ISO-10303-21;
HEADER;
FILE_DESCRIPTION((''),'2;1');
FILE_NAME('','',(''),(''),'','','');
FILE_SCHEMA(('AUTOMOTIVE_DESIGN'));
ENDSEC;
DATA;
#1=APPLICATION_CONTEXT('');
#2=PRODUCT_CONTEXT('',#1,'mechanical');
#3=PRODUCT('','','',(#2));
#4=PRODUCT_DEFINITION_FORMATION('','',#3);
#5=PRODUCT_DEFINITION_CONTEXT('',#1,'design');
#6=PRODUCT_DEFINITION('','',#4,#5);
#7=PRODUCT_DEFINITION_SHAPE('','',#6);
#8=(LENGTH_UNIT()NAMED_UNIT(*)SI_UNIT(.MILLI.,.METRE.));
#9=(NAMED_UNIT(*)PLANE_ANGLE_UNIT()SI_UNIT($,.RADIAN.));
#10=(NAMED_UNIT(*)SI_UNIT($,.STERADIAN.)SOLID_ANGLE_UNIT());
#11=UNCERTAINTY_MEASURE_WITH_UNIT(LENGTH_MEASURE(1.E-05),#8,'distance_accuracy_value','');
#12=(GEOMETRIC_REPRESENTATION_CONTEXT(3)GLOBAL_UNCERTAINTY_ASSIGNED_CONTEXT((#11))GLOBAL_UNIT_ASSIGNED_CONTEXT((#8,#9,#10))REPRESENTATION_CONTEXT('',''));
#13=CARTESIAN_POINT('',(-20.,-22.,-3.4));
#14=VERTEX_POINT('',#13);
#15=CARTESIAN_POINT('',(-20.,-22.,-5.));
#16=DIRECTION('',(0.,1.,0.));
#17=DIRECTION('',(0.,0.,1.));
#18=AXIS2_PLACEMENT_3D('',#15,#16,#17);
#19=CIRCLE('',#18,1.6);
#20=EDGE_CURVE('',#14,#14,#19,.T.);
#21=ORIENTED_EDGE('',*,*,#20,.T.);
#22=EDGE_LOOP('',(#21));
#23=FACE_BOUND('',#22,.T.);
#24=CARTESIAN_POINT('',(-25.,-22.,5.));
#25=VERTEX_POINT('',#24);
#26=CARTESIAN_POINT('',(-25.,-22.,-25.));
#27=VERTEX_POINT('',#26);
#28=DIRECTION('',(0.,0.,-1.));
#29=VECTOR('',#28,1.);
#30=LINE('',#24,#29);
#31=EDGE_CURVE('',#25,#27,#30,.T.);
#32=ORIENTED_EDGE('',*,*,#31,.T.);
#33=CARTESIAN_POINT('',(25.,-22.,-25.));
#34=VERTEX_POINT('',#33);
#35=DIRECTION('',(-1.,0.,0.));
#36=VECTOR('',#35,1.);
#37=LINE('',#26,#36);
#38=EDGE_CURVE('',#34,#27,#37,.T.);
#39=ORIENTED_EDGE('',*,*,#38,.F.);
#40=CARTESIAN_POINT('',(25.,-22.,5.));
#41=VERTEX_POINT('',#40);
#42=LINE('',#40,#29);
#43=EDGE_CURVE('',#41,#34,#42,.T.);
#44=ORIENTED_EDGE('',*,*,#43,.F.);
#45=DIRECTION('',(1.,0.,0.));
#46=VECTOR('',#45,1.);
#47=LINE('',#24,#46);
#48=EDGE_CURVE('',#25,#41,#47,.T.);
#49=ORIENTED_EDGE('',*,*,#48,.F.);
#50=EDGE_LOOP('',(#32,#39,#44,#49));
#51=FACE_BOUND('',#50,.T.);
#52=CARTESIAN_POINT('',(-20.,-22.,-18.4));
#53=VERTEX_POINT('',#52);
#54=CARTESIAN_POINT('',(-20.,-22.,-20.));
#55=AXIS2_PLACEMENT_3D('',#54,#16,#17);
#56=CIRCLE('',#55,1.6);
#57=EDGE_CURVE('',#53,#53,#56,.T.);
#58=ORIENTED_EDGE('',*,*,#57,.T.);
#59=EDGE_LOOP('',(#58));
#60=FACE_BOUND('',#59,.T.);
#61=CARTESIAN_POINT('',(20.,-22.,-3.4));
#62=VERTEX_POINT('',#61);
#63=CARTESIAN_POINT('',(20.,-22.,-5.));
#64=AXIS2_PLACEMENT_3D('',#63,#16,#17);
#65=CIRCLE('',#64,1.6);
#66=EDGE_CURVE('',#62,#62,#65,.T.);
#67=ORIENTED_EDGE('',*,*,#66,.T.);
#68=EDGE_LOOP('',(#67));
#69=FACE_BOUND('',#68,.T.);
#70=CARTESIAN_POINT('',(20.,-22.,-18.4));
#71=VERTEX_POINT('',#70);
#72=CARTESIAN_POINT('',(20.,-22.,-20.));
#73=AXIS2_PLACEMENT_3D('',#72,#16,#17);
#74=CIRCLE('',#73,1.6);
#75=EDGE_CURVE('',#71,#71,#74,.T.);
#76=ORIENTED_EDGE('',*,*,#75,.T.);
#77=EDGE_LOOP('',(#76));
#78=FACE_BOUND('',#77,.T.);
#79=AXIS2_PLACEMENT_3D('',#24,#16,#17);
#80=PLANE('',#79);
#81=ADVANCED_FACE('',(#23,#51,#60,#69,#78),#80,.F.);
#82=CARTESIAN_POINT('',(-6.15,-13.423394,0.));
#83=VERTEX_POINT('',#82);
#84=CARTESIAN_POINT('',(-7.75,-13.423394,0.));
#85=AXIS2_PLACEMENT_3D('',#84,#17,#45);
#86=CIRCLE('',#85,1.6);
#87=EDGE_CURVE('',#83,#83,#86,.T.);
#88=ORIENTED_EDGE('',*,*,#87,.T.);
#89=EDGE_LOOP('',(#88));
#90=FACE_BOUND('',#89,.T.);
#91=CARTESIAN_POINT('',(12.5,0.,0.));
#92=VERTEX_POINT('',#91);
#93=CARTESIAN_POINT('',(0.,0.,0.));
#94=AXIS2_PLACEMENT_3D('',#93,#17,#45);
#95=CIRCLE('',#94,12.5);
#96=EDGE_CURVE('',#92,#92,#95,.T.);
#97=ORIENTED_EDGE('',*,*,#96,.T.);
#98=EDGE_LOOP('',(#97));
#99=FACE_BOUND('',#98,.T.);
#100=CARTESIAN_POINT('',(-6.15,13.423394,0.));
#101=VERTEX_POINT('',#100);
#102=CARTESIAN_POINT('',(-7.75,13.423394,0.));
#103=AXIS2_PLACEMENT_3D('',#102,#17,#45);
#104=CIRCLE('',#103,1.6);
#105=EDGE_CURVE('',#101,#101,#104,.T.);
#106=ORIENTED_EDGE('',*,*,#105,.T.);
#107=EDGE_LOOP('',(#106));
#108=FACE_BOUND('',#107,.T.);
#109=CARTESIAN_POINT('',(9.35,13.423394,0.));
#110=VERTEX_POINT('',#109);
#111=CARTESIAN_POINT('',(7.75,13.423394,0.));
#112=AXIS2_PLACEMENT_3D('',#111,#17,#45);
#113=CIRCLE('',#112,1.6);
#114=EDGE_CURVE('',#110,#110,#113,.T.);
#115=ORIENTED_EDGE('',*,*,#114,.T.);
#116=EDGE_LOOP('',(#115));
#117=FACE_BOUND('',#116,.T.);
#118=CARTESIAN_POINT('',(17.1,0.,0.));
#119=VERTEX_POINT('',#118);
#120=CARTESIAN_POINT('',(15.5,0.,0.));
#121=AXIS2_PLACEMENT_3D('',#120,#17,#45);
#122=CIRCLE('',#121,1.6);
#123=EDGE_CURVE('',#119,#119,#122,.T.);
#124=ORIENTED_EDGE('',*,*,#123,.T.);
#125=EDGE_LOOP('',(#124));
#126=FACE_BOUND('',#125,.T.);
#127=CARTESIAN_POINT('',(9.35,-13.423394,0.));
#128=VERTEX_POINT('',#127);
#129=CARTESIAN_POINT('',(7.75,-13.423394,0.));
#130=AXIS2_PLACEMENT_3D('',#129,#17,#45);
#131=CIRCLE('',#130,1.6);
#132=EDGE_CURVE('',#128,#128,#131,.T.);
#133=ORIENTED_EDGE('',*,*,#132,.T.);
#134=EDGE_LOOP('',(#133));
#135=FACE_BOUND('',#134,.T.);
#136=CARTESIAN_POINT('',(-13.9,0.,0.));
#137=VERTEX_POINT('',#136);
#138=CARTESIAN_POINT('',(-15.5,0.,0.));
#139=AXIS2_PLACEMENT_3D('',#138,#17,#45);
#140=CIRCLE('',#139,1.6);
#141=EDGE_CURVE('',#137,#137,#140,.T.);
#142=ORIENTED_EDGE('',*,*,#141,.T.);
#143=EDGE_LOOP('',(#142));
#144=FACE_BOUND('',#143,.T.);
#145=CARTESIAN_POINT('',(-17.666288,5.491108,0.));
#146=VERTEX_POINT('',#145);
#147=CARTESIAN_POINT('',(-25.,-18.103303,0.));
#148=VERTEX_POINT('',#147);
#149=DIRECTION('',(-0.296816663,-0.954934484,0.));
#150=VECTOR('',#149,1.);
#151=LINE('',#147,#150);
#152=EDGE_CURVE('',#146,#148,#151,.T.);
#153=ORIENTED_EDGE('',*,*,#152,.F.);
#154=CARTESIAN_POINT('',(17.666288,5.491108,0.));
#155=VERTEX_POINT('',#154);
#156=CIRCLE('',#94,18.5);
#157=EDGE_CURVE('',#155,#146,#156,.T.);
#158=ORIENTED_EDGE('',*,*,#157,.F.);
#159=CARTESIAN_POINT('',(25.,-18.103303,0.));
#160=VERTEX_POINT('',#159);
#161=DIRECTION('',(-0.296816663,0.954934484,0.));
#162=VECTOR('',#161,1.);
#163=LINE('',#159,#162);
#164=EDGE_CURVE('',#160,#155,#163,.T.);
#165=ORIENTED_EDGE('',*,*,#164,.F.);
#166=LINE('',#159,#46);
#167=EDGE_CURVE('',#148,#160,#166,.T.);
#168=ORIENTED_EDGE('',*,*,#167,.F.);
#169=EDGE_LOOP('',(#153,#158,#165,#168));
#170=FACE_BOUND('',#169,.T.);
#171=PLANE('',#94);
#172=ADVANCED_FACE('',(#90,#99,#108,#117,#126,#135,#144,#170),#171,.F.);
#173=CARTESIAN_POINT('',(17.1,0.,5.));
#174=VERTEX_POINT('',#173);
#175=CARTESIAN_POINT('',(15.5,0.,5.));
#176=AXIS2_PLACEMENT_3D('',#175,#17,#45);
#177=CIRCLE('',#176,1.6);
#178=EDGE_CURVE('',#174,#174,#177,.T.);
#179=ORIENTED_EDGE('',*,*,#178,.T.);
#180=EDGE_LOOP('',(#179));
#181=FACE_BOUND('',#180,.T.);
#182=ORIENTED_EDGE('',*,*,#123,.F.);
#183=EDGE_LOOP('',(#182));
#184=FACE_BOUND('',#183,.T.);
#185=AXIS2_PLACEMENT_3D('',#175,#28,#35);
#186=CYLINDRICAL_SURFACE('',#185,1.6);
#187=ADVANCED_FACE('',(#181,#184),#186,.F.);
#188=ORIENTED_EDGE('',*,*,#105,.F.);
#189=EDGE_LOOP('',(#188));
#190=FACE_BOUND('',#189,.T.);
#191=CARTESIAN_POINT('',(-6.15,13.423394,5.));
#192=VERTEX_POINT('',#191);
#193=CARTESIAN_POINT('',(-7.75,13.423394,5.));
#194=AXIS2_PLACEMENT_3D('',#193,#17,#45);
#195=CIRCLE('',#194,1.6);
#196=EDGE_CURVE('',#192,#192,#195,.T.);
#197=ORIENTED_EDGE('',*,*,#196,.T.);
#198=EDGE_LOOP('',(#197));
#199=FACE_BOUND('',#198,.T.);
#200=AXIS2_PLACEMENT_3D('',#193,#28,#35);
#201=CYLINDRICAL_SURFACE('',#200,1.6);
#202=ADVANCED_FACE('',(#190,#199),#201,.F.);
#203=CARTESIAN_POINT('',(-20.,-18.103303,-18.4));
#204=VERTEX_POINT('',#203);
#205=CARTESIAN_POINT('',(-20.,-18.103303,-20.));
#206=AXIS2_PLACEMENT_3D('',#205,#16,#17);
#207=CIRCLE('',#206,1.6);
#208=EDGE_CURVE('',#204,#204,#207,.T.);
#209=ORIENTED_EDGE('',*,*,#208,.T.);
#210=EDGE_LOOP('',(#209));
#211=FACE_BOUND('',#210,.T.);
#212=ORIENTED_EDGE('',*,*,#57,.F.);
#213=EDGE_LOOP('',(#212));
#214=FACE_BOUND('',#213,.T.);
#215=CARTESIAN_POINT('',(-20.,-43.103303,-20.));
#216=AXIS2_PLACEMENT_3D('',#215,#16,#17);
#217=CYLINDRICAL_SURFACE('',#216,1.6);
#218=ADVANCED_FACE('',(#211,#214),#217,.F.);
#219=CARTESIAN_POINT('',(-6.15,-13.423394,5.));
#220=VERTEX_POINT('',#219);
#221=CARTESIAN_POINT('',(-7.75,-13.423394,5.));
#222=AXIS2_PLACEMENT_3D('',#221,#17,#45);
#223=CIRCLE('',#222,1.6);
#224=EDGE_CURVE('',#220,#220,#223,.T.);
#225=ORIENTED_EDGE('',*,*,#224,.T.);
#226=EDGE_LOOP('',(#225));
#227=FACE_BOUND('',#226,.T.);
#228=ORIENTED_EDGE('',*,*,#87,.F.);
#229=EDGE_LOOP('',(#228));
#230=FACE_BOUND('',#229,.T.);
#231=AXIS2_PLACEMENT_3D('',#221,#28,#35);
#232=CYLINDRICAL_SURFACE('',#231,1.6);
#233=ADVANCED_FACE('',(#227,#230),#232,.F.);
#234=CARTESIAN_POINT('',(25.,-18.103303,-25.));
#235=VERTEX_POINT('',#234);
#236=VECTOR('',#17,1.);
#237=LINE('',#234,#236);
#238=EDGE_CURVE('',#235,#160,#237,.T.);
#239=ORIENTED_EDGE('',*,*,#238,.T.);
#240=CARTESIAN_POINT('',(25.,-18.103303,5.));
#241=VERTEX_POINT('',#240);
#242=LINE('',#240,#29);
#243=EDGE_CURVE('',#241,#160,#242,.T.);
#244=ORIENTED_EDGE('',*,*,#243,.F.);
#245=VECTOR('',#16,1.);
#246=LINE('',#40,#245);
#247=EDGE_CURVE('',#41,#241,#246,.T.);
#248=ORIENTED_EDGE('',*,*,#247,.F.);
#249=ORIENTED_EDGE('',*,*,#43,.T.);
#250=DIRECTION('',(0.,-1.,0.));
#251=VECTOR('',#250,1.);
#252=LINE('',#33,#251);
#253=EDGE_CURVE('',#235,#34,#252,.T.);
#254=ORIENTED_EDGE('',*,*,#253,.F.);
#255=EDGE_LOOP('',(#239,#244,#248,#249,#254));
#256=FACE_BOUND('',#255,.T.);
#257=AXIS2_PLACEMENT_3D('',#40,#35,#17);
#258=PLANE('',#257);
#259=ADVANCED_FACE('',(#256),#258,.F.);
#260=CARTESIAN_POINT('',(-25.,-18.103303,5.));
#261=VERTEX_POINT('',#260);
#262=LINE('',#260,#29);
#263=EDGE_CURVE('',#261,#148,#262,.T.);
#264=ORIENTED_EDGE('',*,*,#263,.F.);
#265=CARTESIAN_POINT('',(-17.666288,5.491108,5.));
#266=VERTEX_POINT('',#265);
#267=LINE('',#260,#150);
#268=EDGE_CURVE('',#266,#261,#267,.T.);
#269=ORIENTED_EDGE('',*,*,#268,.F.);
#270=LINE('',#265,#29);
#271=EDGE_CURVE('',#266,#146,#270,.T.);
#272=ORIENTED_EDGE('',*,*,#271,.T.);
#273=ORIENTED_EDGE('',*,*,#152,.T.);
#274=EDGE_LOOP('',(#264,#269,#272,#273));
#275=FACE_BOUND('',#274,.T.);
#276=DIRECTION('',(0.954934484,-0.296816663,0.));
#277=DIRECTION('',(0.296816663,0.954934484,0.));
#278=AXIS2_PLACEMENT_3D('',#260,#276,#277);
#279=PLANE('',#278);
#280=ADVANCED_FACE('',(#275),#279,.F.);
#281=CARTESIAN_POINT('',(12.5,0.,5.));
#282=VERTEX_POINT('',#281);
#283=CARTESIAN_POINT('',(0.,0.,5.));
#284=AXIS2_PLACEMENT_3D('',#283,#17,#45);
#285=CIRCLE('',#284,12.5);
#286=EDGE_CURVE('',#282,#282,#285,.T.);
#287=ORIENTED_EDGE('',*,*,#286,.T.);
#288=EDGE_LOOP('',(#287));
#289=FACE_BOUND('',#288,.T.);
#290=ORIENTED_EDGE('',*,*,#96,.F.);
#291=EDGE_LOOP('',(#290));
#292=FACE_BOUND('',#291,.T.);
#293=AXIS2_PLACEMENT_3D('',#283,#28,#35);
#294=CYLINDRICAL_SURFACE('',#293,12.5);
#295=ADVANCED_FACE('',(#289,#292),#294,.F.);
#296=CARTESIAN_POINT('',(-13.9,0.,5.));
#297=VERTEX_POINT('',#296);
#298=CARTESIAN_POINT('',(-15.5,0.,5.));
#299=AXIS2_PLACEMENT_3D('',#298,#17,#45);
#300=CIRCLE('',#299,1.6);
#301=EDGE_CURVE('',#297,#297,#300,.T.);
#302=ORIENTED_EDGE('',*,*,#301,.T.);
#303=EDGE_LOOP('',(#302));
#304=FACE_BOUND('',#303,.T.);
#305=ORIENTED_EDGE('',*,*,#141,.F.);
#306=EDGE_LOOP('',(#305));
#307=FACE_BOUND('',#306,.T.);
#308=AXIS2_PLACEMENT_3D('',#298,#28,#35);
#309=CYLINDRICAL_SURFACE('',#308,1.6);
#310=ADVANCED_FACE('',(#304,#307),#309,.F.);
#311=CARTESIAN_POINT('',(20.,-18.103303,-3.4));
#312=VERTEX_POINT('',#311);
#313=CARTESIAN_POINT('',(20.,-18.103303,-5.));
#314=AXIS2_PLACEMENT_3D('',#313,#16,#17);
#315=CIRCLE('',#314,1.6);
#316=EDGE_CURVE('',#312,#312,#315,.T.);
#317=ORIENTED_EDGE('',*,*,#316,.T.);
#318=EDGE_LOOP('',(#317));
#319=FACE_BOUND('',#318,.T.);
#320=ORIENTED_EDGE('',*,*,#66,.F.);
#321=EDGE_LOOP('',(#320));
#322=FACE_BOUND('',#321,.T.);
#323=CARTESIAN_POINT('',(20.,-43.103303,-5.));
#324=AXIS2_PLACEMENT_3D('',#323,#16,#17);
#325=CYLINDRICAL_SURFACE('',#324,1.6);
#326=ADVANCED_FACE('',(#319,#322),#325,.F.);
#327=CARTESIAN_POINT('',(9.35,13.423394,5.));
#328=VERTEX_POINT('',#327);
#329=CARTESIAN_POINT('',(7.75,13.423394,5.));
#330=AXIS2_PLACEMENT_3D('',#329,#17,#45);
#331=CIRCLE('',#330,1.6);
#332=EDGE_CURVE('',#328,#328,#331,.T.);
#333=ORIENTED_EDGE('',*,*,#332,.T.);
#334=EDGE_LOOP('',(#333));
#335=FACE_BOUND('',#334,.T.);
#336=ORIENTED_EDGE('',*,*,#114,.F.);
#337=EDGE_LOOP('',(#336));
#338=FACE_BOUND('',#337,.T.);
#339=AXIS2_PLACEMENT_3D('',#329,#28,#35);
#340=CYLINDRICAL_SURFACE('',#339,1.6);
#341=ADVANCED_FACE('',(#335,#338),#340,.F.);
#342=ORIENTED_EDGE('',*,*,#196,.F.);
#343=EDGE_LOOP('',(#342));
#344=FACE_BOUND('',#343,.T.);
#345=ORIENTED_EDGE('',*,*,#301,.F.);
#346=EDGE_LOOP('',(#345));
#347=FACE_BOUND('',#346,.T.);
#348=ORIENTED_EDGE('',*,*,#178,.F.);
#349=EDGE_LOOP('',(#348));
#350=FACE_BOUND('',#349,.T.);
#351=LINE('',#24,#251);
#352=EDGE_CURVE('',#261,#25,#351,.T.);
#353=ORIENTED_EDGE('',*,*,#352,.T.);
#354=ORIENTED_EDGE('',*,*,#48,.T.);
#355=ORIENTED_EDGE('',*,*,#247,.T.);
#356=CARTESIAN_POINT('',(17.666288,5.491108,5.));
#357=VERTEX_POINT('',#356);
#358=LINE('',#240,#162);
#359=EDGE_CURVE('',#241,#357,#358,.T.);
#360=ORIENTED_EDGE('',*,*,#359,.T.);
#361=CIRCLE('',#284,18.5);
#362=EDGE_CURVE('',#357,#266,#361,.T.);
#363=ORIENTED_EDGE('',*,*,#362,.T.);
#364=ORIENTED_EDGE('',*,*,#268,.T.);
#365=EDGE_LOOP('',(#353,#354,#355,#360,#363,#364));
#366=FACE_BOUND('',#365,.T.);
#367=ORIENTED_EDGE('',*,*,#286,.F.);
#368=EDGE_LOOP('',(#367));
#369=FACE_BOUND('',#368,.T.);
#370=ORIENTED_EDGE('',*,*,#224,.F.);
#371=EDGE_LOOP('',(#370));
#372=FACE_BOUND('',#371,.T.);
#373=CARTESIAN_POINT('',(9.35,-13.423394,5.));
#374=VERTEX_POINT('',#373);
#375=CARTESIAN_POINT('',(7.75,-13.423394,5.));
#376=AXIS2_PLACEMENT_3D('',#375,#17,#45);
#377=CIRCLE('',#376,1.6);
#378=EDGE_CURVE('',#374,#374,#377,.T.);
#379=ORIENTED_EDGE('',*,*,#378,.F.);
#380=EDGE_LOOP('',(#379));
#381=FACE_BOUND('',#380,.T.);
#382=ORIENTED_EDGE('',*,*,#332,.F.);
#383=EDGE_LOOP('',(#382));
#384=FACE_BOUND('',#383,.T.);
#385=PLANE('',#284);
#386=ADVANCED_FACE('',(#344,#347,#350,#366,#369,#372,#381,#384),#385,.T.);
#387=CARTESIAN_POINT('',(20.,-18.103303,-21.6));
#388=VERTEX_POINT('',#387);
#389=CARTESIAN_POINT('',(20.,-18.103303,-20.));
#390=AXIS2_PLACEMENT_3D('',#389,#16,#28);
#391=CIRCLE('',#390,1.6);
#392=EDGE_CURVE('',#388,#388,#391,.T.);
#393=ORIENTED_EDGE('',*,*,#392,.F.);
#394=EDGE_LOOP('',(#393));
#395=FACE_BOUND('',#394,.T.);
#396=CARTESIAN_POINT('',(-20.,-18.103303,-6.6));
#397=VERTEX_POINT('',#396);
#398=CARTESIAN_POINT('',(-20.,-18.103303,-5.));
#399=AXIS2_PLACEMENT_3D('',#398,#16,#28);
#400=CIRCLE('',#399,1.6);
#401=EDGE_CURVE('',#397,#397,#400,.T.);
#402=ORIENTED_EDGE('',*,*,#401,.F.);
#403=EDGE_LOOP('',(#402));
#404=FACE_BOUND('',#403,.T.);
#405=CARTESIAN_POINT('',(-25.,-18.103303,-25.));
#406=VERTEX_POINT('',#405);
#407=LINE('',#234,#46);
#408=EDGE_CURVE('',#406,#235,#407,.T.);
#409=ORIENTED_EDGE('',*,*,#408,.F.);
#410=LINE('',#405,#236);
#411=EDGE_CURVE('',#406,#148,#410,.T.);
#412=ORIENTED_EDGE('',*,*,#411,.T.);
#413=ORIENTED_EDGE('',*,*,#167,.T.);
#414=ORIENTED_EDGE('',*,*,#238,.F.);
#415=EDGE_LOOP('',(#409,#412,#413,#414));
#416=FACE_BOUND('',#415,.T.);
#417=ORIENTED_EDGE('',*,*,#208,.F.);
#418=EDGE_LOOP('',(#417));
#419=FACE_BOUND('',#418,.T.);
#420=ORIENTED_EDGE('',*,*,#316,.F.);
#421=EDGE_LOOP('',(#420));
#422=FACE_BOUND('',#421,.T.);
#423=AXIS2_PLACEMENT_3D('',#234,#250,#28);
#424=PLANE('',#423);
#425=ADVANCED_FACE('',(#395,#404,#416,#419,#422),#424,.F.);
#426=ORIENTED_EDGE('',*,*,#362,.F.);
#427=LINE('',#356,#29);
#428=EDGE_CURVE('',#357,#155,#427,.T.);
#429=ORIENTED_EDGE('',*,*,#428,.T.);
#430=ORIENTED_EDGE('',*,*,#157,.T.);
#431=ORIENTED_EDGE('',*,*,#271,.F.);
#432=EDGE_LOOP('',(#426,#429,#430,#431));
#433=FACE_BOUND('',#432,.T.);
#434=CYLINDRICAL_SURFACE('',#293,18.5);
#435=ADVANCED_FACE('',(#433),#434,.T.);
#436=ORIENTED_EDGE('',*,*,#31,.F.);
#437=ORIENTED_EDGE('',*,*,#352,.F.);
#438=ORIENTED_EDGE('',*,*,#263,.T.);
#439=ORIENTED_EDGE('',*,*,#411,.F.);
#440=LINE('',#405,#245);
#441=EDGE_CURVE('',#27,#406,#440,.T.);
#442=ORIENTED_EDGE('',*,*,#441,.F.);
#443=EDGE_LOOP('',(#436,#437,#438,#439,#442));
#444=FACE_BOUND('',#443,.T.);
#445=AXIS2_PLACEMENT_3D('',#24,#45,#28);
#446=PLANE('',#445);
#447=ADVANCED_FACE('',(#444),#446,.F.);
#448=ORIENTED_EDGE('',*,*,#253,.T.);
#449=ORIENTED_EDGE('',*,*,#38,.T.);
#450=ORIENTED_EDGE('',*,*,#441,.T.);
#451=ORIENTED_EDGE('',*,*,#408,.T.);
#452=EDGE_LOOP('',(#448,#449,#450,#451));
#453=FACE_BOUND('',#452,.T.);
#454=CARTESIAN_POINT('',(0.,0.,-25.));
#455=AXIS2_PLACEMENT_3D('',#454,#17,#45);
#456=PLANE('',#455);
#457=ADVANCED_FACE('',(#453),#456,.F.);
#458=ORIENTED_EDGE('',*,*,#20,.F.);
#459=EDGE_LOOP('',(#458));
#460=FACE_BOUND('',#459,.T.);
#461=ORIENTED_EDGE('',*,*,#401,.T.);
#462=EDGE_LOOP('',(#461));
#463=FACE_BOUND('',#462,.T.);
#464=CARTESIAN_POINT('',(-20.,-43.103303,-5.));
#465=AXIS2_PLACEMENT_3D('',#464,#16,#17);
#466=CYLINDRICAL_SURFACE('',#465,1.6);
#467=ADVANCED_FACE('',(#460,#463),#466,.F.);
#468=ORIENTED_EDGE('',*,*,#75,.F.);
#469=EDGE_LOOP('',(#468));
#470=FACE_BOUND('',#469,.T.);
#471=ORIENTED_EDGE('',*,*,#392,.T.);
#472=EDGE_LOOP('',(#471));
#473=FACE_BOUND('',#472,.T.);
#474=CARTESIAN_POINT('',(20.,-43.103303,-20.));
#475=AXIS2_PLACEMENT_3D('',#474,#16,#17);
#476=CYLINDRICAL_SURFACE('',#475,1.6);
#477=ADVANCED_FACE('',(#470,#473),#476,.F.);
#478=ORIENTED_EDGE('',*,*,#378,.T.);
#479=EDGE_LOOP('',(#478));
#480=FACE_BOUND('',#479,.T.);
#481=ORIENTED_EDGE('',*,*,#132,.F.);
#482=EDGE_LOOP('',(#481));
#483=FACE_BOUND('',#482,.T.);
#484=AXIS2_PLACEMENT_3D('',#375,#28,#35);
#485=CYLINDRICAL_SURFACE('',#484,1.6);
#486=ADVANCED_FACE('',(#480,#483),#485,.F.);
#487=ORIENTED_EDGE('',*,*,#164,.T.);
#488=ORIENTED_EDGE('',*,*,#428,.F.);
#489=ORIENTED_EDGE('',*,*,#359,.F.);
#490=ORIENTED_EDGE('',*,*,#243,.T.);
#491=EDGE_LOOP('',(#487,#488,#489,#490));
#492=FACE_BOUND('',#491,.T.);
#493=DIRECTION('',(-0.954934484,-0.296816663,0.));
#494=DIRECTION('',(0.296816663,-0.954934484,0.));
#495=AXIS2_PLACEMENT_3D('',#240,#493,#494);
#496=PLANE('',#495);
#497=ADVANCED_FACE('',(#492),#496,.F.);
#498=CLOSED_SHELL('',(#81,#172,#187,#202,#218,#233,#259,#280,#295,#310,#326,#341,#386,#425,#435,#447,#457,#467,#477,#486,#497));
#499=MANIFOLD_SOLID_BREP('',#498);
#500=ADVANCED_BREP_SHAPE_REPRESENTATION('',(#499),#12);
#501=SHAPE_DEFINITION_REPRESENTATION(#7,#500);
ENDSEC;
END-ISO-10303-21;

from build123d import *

# Parameters (mm, degrees)
SKETCH_1_R          = 1.6
SKETCH_1_R_2        = 12.5
EXTRUDE_1_DEPTH     = 5
SKETCH_2_W          = 50
SKETCH_2_H          = 3.896696611
EXTRUDE_2_DEPTH     = 25
SKETCH_3_R          = 1.6
CUT_EXTRUDE_1_DEPTH = 25


with BuildPart() as part:
    # 草图1 → 凸台-拉伸1 (new body)
    with BuildSketch(Plane.XY):
        with BuildLine():
            Line((-25, -22), (25, -22))
            Line((25, -22), (25, -18.103303389))
            Line((25, -18.103303389), (17.666287953, 5.491108263))
            ThreePointArc((17.666287953, 5.491108263), (0, 18.5), (-17.666287953, 5.491108263))
            Line((-17.666287953, 5.491108263), (-25, -18.103303389))
            Line((-25, -18.103303389), (-25, -22))
        make_face()
        with Locations((-15.5, 0)):
            Circle(SKETCH_1_R, mode=Mode.SUBTRACT)
        with Locations((-7.75, 13.423393759)):
            Circle(SKETCH_1_R, mode=Mode.SUBTRACT)
        with Locations((7.75, 13.423393759)):
            Circle(SKETCH_1_R, mode=Mode.SUBTRACT)
        with Locations((15.5, 0)):
            Circle(SKETCH_1_R, mode=Mode.SUBTRACT)
        with Locations((7.75, -13.423393759)):
            Circle(SKETCH_1_R, mode=Mode.SUBTRACT)
        with Locations((-7.75, -13.423393759)):
            Circle(SKETCH_1_R, mode=Mode.SUBTRACT)
        Circle(SKETCH_1_R_2, mode=Mode.SUBTRACT)
    extrude(amount=EXTRUDE_1_DEPTH)

    # 草图2 → 凸台-拉伸2 (add)
    with BuildSketch(Plane(origin=(0, 0, 0), x_dir=(-1, 0, 0), z_dir=(0, 0, -1))):
        with Locations((0, -20.051651695)):
            Rectangle(SKETCH_2_W, SKETCH_2_H)
    extrude(amount=EXTRUDE_2_DEPTH)

    # 草图3 → 切除-拉伸1 (cut)
    with BuildSketch(Plane(origin=(0, -18.103303389, 0), x_dir=(1, 0, 0), z_dir=(0, 1, 0))):
        with Locations((-20, 20)):
            Circle(SKETCH_3_R)
        with Locations((20, 20)):
            Circle(SKETCH_3_R)
        with Locations((20, 5)):
            Circle(SKETCH_3_R)
        with Locations((-20, 5)):
            Circle(SKETCH_3_R)
    extrude(amount=-CUT_EXTRUDE_1_DEPTH, mode=Mode.SUBTRACT)


solid = part.part
